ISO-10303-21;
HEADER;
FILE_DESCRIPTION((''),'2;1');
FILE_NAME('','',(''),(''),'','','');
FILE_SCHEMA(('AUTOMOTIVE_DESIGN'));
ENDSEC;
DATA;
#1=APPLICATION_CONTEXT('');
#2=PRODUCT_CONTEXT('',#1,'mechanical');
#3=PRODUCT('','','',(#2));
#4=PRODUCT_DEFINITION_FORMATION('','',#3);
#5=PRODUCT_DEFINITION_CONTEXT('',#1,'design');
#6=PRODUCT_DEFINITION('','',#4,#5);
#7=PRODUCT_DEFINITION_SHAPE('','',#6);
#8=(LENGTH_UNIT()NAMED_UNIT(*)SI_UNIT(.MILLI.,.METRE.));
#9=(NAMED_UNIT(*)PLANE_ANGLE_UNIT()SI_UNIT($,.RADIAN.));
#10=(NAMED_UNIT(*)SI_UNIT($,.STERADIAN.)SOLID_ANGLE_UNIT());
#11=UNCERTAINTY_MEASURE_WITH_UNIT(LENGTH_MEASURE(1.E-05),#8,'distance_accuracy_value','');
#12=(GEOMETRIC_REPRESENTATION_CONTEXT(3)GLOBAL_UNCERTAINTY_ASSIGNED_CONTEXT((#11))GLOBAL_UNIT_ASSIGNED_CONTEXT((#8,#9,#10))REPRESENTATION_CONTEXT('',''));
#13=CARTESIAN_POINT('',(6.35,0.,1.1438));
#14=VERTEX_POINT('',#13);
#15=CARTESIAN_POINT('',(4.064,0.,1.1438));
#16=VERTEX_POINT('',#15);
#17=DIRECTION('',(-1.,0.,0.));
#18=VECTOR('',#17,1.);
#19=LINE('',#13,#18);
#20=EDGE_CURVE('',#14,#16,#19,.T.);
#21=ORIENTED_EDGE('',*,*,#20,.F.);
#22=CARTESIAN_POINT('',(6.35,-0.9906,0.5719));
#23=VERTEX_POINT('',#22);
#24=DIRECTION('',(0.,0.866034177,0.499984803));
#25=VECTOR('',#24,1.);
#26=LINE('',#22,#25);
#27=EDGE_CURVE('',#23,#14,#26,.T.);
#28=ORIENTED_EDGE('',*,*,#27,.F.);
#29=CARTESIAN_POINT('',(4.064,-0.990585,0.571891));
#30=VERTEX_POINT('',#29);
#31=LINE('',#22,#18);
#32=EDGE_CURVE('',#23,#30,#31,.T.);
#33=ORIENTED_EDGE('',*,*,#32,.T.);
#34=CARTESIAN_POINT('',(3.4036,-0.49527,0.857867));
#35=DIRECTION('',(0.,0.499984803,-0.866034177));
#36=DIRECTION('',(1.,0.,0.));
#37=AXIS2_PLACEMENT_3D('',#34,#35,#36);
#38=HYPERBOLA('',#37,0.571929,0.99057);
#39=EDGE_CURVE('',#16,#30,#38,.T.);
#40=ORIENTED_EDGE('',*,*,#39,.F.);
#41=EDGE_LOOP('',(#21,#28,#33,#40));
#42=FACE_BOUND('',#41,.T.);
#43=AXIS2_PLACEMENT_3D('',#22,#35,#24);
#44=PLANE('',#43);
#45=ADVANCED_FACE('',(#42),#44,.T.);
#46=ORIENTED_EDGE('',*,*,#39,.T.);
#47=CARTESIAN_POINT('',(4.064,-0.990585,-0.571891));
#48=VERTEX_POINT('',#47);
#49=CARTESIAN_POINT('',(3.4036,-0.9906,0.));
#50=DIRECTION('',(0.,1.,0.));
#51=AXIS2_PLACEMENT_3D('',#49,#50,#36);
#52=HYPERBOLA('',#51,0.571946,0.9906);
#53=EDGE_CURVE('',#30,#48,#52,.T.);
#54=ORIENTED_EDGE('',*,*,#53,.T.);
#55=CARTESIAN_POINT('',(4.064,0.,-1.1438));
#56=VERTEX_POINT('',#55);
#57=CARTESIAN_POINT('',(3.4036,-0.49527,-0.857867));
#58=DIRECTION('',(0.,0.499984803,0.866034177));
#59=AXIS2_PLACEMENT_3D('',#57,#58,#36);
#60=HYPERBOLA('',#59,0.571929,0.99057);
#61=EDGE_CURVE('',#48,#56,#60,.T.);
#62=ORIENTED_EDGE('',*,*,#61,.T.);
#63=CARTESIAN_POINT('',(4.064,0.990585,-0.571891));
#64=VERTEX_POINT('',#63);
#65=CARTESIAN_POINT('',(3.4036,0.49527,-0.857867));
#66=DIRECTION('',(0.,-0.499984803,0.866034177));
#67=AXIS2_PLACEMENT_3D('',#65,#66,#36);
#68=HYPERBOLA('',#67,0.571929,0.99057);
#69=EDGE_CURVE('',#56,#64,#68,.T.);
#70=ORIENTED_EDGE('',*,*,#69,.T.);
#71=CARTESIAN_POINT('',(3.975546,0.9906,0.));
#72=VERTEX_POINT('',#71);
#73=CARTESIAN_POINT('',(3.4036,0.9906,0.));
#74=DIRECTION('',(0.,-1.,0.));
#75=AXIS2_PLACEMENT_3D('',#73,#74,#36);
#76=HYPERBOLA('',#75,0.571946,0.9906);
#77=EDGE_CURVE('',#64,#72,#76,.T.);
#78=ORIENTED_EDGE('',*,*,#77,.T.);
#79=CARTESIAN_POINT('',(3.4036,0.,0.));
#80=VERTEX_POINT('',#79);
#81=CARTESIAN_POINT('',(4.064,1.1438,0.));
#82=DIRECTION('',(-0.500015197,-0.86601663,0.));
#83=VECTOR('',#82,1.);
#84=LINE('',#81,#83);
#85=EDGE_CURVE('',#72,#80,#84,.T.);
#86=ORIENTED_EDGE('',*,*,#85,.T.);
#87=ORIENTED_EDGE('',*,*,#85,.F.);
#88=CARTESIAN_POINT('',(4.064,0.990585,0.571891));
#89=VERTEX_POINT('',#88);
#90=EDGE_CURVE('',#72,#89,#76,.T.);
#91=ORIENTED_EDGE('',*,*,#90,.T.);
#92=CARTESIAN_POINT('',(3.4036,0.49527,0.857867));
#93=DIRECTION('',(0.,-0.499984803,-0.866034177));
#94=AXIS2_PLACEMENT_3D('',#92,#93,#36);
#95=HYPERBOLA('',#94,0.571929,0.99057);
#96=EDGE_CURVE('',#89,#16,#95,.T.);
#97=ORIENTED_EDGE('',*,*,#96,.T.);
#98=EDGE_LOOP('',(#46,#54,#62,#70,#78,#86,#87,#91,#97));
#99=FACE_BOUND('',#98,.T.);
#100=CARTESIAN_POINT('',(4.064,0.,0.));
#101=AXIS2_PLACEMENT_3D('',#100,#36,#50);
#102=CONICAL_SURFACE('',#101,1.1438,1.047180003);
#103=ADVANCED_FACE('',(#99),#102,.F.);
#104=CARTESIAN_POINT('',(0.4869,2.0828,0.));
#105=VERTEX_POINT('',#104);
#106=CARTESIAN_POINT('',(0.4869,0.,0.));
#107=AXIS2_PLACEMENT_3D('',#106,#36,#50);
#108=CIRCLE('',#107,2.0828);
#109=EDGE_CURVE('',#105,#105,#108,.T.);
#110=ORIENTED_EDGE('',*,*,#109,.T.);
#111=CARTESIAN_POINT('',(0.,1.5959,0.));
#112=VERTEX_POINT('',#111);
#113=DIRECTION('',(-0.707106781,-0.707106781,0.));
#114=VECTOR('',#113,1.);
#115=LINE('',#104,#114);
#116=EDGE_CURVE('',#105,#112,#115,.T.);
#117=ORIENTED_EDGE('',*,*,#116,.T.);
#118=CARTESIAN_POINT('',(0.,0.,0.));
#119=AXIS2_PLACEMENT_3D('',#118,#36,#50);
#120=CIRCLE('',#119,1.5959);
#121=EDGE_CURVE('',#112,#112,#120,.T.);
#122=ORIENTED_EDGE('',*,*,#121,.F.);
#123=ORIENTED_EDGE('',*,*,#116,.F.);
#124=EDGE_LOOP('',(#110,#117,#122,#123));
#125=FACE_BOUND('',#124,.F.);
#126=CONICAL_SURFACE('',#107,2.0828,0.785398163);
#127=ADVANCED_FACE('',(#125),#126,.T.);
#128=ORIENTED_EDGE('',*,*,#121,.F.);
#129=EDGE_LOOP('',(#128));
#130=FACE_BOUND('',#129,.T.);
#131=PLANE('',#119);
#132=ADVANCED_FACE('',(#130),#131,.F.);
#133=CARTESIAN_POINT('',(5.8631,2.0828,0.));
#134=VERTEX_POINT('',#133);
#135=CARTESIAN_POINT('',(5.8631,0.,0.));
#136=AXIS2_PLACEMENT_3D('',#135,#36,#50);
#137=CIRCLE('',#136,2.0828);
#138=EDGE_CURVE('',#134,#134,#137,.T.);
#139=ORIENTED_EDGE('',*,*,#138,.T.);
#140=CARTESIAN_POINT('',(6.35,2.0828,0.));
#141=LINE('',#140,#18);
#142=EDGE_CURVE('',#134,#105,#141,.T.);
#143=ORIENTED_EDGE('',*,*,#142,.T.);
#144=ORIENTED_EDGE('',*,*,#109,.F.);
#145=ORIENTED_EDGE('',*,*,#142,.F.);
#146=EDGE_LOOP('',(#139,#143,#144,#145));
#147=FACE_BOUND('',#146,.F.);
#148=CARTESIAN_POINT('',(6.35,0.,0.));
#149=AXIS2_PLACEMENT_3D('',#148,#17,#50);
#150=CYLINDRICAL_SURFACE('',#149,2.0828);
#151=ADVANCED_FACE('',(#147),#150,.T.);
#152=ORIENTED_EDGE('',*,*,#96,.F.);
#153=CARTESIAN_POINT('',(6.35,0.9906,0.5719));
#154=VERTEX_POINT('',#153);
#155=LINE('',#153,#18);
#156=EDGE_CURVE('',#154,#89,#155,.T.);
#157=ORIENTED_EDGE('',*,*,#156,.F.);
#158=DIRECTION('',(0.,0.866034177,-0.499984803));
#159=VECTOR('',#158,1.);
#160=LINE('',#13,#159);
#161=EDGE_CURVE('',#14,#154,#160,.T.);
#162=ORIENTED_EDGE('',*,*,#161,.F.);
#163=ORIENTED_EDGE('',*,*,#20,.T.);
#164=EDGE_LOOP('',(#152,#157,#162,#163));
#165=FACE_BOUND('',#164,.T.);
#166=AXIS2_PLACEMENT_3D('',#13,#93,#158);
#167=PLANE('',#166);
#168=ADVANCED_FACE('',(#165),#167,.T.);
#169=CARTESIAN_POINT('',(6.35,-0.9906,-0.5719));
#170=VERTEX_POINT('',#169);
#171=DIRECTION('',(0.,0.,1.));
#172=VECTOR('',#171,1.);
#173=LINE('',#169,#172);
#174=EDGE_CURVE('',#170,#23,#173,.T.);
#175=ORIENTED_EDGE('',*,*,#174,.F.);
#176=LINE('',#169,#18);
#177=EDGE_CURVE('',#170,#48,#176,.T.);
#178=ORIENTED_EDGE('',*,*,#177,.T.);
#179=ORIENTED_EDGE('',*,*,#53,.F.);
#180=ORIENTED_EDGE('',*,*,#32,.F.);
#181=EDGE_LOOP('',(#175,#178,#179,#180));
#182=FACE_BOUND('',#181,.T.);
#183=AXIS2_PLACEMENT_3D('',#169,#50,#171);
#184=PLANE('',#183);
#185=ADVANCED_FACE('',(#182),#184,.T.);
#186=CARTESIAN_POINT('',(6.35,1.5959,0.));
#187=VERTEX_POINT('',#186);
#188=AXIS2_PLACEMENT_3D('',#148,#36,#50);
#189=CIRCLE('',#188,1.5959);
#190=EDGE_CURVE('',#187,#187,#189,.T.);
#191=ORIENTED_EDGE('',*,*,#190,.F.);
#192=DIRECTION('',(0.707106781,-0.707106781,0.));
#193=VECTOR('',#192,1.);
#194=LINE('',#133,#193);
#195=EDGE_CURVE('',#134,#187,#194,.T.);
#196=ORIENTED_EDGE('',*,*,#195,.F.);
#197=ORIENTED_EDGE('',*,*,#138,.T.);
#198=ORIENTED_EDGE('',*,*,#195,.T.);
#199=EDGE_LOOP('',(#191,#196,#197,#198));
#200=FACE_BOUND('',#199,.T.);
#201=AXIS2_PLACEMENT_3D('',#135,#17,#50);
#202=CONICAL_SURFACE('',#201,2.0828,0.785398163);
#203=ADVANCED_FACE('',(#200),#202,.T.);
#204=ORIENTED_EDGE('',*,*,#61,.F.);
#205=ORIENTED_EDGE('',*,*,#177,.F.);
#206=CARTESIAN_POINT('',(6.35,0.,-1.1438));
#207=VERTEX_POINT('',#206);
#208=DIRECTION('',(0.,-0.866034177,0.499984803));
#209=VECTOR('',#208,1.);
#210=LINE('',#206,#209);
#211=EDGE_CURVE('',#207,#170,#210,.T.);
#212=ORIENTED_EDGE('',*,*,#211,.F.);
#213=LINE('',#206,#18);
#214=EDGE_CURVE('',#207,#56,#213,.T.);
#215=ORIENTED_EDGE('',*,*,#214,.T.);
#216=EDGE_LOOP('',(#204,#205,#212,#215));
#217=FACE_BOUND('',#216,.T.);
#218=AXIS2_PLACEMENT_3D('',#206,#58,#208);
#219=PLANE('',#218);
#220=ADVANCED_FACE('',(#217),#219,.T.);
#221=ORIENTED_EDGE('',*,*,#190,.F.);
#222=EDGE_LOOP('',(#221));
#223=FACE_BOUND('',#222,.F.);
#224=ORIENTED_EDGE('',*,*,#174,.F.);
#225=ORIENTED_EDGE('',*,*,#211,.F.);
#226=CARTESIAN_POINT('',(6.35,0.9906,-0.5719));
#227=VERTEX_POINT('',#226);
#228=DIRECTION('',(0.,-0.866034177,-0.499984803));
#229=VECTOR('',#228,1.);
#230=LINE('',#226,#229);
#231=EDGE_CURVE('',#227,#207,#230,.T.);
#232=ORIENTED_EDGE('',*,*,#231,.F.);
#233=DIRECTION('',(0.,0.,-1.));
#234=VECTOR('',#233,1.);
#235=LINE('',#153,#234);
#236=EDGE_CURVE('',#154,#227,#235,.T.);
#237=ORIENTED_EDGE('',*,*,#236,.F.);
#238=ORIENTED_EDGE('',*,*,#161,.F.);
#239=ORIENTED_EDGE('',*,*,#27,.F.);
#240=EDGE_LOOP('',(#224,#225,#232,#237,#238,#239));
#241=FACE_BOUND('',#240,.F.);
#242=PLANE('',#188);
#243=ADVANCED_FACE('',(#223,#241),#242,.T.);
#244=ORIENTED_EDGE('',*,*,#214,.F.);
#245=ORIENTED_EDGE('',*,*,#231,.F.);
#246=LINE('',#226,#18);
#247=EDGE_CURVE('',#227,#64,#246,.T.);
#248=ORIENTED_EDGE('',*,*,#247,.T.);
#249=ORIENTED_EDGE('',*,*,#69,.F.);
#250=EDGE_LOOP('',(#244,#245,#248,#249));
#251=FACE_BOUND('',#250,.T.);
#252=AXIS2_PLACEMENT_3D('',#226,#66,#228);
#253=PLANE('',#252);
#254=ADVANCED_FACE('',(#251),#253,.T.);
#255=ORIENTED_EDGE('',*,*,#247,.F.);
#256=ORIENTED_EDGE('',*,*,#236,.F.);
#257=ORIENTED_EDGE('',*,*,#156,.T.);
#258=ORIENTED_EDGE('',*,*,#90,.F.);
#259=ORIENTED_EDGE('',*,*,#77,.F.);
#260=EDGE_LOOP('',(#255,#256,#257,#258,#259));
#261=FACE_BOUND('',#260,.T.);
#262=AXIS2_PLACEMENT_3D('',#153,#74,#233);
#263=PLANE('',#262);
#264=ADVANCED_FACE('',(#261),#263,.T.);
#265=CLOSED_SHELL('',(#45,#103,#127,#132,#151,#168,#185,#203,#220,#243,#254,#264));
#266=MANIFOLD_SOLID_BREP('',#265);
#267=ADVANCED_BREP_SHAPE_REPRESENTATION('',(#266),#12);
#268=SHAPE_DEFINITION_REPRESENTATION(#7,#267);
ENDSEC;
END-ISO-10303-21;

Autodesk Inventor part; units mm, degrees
ref_plane "YZ Plane" through (0, 0, 0) normal (1, 0, 0) x (0, 1, 0)
ref_plane "XZ Plane" through (0, 0, 0) normal (0, 1, 0) x (-1, 0, 0)
sketch "Sketch1" plane through (0, 0, 0) normal (0, 0, 1) x (1, 0, 0)
  line L0 (0, 0) -> (3.4036, 0)
  line L1 (6.35, 1.1438) -> (6.35, 2.0828)
  line L2 (6.35, 2.0828) -> (0, 2.0828)
  line L3 (6.35, 1.1438) -> (4.064, 1.1438)
  line L4 (4.064, 1.1438) -> (3.4036, 0)
  line L5 (0, -0.4166) -> (0, 2.4994) projected
  line L6 (0, 2.0828) -> (0, 0)
  dimension "d0" = 2.286
  dimension "d1" = 60
  dimension "d2" = 4.1656
  dimension "d3" = 2.2877
  dimension "d5" = 6.35
revolve "Body" add sketch "Sketch1" angle 360 about axis through (0, 0, 0) along (1, 0, 0)
chamfer "Chamfer1" distance 0.4869 angle 45 1 edges at (6.35, -2.0828, 0) measured on face at (6.35, 1.7386, -0.2574)
sketch "Sketch2" plane through (6.35, 0, 0) normal (1, 0, 0) x (0, 0, -1)
  circle A0 centre (0, 0) radius 1.1438 projected
  line L0 (-0.5719, 0.9906) -> (0.5719, 0.9906)
  line L1 (0.5719, 0.9906) -> (1.1438, 0)
  line L2 (1.1438, 0) -> (0.5719, -0.9906)
  line L3 (0.5719, -0.9906) -> (-0.5719, -0.9906)
  line L4 (-0.5719, -0.9906) -> (-1.1438, 0)
  line L5 (-1.1438, 0) -> (-0.5719, 0.9906)
  point P0 (0, 0)
  point P1 (0, 0)
extrude "Slot" add sketch "Sketch2" against normal up to next contours L1 A0 | A0 L2 | L0 A0 | A0 L3 | L5 A0 | A0 L4
thread "Thread" size "8-32 UNC" class "2A" standard "ANSI Unified Screw Threads" length 6.35
chamfer "Chamfer2" distance 0.4869 angle 45 1 edges at (0, -2.0828, 0) measured on face at (1.9544, 2.076, -0.1676)
ref_plane "Work Plane1" through (3.175, 0, 0) normal (0, 0.5, 0.866) x (1, 0, 0)
equation "\"d0\" = INTI"
equation "\"d2\" = NND"
equation "\"d3\" = 1.1547 * SW"
equation "\"d5\" = NLG"
equation "\"d7\" = -0.5 * GD1 + 0.5 * NND"
equation "\"d8\" = FAWI"
equation "\"d29\" = -0.5 * GD1 + 0.5 * NND"
equation "\"d11\" = NLG"
equation "\"d13\" = -0.5 * GD1 + 0.5 * NND"
equation "\"d14\" = FAWI"
equation "\"d30\" = -0.5 * GD1 + 0.5 * NND"
equation "\"NND\" = 4.1656"
equation "\"NLG\" = 6.35"
equation "\"INTI\" = 2.286"
equation "\"FAWI\" = 45deg"
equation "\"SW\" = 1.9812"
equation "\"GD1\" = 3.19177"
equation "\"FAWI1\" = 45deg"
equation "\"SPD\" = 2.2098"
equation "\"SEWI\" = 90deg"
equation "\"TOA\" = 30deg"
equation "\"ZLG\" = 1.0922"
equation "\"ZD\" = 2.7686"
equation "\"HHPTC\" = 0.79375"
equation "\"THREADDIA\" = 4.1656"
equation "\"OPR\" = 3.1242"
equation "\"E0\" = 1.155 * SW"
properties part number "ANSI B18.3 - 8-32 UNC x 0.25" material "Steel, Mild"
